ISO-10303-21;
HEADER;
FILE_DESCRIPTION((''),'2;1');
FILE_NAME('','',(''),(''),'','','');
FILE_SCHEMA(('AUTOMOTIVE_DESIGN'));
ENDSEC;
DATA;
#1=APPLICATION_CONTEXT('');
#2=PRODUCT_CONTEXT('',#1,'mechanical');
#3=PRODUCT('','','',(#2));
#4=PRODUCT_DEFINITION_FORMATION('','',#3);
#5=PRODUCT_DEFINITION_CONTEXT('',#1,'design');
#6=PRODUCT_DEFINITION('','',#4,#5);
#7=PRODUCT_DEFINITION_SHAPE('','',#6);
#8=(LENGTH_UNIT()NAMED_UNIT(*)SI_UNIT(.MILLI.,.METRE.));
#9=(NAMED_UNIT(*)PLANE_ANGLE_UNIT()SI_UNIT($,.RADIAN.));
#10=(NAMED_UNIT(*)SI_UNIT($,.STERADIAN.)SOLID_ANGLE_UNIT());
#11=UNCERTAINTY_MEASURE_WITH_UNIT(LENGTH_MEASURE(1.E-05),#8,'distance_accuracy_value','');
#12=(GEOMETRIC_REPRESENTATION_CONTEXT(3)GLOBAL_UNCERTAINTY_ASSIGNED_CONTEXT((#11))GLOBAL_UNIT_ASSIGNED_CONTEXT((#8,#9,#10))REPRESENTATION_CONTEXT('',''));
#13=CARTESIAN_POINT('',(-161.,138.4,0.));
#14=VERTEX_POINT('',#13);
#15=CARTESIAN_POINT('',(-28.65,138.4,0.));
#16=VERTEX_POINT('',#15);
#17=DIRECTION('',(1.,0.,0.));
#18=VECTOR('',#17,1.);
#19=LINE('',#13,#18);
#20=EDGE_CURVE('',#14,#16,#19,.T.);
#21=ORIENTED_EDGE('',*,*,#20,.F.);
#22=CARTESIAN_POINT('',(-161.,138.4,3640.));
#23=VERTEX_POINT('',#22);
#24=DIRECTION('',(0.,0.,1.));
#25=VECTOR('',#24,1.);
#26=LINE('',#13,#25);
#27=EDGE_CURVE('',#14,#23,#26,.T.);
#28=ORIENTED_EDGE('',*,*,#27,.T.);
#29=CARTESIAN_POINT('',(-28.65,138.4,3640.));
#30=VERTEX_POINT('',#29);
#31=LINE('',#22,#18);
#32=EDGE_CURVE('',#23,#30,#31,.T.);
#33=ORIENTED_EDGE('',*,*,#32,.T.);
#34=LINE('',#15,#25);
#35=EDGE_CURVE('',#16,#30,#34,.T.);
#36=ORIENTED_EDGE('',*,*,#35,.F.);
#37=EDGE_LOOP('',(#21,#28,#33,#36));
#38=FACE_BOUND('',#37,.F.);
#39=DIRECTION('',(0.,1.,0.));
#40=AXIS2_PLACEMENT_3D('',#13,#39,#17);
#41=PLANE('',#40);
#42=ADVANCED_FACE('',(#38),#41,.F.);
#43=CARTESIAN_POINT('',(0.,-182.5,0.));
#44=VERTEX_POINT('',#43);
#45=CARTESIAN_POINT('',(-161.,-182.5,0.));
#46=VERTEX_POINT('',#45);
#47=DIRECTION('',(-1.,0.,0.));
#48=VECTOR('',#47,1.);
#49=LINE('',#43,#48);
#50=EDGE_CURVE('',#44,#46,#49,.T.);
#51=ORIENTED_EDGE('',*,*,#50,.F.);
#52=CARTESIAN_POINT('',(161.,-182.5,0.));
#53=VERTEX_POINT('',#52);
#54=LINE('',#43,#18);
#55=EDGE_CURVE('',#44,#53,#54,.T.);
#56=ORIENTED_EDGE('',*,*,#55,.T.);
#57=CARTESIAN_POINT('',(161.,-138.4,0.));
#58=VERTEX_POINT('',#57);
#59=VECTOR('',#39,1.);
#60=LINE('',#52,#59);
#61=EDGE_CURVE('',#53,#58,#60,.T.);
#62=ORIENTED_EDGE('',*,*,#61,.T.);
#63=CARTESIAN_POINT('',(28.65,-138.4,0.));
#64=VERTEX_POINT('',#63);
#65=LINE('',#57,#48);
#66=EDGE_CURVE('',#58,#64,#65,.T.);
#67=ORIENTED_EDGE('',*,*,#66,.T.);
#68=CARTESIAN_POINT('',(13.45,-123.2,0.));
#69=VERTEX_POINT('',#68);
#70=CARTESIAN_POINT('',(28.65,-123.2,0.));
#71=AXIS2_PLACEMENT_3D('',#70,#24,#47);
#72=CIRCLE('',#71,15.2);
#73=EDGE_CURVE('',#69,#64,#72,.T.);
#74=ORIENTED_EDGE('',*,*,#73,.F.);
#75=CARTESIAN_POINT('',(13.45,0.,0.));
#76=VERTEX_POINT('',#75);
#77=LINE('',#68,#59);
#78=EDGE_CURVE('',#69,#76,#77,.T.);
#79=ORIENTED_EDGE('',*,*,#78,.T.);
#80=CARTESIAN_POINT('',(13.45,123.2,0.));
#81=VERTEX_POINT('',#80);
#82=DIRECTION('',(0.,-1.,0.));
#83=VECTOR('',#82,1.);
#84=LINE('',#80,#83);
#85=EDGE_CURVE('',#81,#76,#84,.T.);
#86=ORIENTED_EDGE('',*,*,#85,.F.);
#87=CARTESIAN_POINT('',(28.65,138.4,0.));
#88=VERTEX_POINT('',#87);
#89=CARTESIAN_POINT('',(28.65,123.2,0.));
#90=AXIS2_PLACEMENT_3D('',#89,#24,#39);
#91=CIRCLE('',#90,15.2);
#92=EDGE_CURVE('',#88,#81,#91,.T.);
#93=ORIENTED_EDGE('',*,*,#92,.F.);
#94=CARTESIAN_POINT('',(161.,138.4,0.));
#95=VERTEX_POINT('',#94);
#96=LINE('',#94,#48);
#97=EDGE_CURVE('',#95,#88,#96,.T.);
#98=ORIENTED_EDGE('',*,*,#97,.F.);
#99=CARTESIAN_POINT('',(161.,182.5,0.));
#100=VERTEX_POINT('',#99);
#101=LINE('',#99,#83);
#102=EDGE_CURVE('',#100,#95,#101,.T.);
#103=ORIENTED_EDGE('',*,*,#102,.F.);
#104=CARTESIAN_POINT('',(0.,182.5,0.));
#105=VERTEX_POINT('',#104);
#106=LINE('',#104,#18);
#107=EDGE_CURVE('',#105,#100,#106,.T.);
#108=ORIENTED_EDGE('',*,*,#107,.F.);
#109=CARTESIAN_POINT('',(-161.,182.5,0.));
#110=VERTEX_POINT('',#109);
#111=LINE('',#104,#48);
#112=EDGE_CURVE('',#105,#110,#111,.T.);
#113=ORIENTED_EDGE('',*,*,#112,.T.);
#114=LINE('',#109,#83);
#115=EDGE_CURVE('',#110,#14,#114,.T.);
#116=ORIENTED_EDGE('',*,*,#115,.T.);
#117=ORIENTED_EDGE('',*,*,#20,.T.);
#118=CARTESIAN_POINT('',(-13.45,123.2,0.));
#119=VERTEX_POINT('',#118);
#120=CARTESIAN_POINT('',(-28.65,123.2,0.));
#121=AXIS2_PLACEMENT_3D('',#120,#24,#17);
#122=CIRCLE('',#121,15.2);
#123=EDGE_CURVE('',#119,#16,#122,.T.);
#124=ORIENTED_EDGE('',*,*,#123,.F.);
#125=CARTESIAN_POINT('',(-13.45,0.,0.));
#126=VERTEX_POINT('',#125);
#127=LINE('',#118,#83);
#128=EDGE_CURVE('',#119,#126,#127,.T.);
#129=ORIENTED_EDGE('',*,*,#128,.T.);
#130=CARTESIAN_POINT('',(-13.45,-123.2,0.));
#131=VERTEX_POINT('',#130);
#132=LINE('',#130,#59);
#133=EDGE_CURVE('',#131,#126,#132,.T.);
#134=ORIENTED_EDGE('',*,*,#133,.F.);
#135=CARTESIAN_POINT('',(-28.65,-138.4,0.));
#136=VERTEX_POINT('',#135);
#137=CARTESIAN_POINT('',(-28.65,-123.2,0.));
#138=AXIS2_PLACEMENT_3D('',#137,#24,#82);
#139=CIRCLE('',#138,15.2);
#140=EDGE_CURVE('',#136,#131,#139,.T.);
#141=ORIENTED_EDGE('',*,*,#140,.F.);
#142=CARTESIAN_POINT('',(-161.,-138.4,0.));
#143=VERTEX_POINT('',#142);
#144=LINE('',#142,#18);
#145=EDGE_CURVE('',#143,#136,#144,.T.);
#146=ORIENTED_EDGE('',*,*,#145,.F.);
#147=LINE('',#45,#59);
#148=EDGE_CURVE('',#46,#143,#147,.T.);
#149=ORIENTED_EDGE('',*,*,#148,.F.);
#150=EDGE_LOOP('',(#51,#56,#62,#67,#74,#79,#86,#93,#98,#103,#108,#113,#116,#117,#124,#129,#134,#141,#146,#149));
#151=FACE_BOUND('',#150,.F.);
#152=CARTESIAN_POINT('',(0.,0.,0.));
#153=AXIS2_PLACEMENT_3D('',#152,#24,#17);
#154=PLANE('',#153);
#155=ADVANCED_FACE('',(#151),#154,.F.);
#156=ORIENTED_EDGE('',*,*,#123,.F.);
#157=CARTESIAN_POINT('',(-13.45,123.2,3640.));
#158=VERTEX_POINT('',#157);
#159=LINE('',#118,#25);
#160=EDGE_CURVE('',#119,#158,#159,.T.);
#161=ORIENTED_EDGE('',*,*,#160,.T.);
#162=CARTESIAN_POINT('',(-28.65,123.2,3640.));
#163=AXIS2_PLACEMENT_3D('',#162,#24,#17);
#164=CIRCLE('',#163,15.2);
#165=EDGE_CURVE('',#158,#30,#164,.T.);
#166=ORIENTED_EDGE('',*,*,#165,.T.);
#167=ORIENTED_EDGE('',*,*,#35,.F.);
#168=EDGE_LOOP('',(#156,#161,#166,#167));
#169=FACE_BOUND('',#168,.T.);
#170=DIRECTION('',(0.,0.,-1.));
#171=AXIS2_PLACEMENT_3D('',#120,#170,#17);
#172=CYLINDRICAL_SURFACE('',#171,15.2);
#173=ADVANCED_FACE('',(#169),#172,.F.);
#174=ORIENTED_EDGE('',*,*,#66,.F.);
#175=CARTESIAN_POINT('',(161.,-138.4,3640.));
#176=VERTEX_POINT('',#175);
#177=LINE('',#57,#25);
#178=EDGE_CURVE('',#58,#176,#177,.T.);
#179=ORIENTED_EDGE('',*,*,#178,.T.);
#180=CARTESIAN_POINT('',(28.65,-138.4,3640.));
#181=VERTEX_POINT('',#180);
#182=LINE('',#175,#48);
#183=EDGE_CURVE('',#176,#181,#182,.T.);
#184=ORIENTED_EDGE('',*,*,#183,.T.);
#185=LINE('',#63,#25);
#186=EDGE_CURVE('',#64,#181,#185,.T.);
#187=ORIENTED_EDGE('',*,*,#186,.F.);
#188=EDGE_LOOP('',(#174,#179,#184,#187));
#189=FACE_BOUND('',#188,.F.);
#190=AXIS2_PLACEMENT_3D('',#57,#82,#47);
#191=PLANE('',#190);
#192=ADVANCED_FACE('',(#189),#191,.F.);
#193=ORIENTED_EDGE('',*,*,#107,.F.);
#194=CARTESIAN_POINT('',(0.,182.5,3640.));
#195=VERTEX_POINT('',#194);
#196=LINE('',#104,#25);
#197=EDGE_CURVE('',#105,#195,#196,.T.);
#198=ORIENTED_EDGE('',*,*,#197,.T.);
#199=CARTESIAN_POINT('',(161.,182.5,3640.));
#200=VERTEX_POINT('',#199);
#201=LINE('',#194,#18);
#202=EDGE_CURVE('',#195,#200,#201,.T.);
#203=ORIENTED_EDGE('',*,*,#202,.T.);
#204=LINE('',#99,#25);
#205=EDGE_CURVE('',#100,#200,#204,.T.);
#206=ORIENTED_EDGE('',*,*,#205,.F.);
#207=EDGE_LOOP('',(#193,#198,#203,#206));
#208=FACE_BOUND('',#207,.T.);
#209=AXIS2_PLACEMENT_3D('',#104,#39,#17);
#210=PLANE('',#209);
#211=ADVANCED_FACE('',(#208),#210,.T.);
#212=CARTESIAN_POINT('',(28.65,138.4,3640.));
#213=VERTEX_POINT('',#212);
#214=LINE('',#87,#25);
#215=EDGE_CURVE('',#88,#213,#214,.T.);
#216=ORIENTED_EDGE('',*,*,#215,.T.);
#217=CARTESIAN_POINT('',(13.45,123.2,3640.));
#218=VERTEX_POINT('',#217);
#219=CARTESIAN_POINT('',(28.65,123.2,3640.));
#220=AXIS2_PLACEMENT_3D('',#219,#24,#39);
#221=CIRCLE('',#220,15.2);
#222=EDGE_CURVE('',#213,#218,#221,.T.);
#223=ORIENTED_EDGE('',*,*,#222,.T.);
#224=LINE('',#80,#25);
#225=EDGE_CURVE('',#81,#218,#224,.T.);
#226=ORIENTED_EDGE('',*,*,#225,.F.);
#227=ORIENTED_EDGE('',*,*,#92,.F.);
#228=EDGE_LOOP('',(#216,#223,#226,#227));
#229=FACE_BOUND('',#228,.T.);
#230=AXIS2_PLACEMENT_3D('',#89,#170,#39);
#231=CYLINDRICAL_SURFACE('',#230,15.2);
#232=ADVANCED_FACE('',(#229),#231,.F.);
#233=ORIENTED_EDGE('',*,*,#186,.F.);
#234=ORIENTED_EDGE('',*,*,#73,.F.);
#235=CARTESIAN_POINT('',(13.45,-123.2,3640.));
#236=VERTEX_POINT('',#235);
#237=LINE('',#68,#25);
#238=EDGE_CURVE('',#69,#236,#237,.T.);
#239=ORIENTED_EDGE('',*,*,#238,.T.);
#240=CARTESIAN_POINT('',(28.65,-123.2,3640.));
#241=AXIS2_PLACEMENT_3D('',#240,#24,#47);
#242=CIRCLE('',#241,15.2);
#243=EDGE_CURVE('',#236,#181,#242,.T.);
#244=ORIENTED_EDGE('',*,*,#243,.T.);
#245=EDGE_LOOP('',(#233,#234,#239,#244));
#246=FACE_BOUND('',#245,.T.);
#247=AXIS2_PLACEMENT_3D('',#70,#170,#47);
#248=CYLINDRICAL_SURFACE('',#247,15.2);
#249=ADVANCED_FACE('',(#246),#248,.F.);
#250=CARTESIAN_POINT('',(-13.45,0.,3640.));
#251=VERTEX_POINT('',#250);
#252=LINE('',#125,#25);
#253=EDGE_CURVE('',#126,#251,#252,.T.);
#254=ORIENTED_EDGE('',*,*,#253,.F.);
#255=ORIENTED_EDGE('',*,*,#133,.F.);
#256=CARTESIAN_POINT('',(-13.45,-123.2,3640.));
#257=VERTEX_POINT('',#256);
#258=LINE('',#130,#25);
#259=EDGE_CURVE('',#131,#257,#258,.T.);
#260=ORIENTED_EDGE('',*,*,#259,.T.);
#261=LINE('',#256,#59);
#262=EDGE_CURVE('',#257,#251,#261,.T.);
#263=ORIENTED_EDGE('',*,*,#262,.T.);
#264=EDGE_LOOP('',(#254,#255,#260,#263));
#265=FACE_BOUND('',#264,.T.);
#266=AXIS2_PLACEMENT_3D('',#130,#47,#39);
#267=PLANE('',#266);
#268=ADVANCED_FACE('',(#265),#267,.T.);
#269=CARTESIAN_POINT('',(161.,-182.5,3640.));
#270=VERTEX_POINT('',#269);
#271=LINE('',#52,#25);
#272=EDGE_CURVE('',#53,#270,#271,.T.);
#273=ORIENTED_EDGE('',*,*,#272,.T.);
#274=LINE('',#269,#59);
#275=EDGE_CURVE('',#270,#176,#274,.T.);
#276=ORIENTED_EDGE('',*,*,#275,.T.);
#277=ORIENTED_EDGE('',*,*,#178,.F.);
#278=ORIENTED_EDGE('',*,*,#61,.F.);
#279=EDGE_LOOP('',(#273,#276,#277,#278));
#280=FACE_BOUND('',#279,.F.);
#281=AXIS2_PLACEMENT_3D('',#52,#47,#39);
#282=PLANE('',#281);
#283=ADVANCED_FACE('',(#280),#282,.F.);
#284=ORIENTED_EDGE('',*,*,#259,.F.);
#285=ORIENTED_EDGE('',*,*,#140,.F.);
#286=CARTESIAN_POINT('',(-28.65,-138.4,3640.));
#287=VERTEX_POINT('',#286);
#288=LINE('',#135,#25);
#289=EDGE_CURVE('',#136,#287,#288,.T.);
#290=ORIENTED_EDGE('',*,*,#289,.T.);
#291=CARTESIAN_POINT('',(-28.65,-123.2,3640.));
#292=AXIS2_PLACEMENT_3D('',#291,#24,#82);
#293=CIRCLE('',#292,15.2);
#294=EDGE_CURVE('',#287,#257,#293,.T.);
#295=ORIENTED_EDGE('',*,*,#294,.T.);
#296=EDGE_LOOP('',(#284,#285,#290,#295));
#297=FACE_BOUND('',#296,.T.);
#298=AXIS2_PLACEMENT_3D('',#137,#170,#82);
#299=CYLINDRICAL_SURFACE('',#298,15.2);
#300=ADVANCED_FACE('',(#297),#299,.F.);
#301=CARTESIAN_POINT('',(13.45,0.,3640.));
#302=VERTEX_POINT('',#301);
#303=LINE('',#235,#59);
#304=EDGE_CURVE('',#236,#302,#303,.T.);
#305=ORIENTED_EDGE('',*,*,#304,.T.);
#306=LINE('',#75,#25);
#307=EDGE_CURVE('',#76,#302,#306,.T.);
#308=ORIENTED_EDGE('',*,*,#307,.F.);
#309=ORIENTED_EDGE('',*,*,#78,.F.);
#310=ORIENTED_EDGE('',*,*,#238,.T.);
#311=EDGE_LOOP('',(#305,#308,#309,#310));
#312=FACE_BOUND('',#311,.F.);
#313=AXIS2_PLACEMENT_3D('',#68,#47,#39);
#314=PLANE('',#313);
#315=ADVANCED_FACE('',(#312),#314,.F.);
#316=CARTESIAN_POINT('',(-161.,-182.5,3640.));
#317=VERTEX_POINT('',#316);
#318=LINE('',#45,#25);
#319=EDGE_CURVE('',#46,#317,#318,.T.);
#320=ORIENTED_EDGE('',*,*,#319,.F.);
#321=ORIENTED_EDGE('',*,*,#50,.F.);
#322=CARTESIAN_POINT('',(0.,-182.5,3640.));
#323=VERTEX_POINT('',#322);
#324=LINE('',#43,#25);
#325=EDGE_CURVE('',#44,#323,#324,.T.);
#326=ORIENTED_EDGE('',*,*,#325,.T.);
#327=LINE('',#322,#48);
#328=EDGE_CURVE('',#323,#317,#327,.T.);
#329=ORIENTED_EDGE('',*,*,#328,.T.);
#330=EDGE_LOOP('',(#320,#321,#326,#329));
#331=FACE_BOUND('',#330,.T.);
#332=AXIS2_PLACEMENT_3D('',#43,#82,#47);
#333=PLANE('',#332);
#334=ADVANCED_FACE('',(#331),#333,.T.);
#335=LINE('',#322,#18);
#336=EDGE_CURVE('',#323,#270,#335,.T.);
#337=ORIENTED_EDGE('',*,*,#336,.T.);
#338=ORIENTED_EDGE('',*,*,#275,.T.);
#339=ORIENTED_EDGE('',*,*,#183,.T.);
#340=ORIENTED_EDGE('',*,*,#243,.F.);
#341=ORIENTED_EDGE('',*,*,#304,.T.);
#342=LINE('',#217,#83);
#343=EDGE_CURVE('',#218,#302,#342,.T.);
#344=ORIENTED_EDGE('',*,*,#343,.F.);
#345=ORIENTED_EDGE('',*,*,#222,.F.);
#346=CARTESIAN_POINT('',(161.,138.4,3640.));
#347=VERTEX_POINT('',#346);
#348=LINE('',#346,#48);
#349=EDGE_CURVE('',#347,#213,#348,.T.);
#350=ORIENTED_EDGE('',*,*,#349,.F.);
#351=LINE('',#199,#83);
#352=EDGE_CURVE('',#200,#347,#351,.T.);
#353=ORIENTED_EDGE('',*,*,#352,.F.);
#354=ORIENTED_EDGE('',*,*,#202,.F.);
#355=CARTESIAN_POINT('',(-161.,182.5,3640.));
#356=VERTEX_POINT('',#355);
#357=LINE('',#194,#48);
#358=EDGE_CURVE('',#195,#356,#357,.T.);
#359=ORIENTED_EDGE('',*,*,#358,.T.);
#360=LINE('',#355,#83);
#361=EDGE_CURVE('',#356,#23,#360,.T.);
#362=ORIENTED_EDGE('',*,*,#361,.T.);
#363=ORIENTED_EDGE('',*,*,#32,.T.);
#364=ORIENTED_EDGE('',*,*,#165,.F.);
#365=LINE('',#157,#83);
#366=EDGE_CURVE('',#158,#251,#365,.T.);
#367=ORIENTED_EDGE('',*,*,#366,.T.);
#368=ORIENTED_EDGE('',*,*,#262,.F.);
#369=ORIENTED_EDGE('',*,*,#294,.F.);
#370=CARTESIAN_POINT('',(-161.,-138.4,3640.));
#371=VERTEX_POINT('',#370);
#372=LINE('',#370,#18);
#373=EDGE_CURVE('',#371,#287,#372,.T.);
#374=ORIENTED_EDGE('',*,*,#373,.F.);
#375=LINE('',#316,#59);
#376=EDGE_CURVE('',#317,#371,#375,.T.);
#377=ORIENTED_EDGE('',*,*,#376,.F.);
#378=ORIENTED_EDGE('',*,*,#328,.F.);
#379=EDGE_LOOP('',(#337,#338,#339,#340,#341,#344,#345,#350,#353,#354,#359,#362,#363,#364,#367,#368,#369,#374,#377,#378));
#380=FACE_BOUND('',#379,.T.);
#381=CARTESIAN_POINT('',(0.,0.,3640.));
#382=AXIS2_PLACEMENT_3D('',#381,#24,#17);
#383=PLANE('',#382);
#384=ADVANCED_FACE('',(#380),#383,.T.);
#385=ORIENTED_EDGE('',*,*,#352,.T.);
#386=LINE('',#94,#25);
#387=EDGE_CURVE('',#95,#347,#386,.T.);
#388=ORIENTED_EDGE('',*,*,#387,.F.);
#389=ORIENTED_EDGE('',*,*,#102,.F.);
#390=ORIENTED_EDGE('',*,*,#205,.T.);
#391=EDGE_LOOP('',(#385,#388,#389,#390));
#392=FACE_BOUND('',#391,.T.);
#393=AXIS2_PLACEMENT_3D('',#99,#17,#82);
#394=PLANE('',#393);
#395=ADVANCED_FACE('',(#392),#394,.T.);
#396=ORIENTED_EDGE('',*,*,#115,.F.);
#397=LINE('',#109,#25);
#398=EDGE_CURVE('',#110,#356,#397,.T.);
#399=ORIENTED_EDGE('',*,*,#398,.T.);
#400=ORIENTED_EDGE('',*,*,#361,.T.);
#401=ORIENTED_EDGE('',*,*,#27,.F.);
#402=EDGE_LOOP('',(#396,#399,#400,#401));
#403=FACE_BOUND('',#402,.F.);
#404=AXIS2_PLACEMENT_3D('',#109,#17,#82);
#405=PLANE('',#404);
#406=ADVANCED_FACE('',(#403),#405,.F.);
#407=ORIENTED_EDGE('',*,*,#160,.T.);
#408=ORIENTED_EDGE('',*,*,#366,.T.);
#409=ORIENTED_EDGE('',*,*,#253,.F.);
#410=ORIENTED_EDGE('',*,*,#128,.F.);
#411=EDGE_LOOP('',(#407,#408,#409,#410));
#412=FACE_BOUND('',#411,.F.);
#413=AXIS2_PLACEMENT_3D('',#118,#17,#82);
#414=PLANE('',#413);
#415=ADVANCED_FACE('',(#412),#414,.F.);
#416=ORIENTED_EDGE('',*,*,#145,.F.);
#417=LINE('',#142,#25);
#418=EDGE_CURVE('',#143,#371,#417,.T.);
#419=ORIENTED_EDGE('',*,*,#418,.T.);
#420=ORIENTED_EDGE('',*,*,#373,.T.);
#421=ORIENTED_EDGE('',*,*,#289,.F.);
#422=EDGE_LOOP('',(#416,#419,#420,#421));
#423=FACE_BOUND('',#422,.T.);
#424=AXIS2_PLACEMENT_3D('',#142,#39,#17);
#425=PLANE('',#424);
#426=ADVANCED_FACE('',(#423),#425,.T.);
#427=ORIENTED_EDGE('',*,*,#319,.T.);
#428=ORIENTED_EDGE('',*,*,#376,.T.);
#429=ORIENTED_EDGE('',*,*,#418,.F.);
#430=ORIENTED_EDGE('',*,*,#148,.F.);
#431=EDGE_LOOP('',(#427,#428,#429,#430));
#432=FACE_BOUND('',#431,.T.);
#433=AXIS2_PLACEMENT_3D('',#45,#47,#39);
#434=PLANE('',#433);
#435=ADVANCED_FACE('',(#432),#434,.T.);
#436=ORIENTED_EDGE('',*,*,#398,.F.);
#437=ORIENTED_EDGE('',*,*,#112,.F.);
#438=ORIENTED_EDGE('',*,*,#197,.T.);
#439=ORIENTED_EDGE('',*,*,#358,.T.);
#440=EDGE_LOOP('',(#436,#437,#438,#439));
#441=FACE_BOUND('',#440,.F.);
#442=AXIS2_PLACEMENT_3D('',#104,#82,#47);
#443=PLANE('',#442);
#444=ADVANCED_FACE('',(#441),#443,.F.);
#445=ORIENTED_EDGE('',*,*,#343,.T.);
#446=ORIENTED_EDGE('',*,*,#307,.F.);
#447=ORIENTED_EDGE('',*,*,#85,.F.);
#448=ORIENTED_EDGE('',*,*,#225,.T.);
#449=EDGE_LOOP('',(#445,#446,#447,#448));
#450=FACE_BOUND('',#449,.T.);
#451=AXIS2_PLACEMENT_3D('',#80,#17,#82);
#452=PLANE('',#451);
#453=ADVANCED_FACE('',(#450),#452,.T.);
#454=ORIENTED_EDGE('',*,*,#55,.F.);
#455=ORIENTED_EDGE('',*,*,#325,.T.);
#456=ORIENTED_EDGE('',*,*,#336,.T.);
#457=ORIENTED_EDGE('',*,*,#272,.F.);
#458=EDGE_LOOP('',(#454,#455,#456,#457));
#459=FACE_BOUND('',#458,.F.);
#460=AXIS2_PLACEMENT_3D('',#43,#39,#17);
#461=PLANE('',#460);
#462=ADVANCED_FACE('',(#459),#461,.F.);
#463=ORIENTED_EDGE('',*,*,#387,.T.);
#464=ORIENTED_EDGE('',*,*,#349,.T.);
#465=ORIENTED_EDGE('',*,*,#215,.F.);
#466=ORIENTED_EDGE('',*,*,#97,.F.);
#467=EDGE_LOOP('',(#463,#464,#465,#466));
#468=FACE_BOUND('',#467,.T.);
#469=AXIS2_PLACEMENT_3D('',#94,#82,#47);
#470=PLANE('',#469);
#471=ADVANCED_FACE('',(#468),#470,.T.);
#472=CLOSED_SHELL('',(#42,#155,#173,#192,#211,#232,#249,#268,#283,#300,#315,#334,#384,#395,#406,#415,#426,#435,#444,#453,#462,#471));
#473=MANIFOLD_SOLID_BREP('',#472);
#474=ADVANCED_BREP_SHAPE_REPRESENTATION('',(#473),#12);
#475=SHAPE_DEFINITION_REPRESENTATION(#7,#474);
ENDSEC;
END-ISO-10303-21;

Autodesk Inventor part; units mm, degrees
ref_plane "YZ Plane" through (0, 0, 0) normal (1, 0, 0) x (0, 1, 0)
ref_plane "Start plane" through (0, 0, 0) normal (0, 0, 1) x (1, 0, 0)
ref_plane "End plane" through (0, 0, 3640) normal (0, 0, 1) x (1, 0, 0)
sketch "Sketch" plane through (0, 0, 0) normal (0, 0, 1) x (1, 0, 0)
  line L0 (-161, -182.5) -> (-161, -138.4)
  line L1 (-161, -138.4) -> (-28.65, -138.4)
  line L2 (-13.45, -123.2) -> (-13.45, 0)
  line L3 (-13.45, 0) -> (0, 0) construction
  line L4 (0, 0) -> (0, -182.5) construction
  line L5 (0, -182.5) -> (-161, -182.5)
  line L6 (-60, 0) -> (80, 0) construction
  line L7 (0, -60) -> (0, 80) construction
  line L8 (161, -182.5) -> (161, -138.4)
  line L9 (161, -138.4) -> (28.65, -138.4)
  line L10 (13.45, -123.2) -> (13.45, 0)
  line L11 (13.45, 0) -> (0, 0) construction
  line L12 (0, -182.5) -> (161, -182.5)
  line L13 (-161, 182.5) -> (-161, 138.4)
  line L14 (-161, 138.4) -> (-28.65, 138.4)
  line L15 (-13.45, 123.2) -> (-13.45, 0)
  line L16 (0, 182.5) -> (-161, 182.5)
  line L17 (161, 182.5) -> (161, 138.4)
  line L18 (161, 138.4) -> (28.65, 138.4)
  line L19 (0, 182.5) -> (161, 182.5)
  line L20 (13.45, 123.2) -> (13.45, 0)
  arc A0 (-13.45, 123.2) -> (-28.65, 138.4) centre (-28.65, 123.2) ccw
  arc A1 (28.65, 138.4) -> (13.45, 123.2) centre (28.65, 123.2) ccw
  arc A2 (13.45, -123.2) -> (28.65, -138.4) centre (28.65, -123.2) ccw
  arc A3 (-28.65, -138.4) -> (-13.45, -123.2) centre (-28.65, -123.2) ccw
  line L21 (0, 108) -> (0, -88) construction
  line L22 (-88, 0) -> (108, 0) construction
  point P0 (-13.45, -138.4)
  point P1 (13.45, -138.4)
  point P2 (-13.45, 138.4)
  point P3 (13.45, 138.4)
  dimension "d1" = 182.5
  dimension "d2" = 44.1
  dimension "d3" = 161
  dimension "d4" = 13.45
  dimension "d10" = 15.2
extrude "Body" add sketch "Sketch" along normal up to surface (3640 mm away) from surface at 0
sketch "Sketch4" plane through (0, 0, 0) normal (0, 0, 1) x (1, 0, 0)
  line L0 (0, 0) -> (10, 0)
ref_plane "Work Plane3" through (0, 0, 0) normal (0, -1, 0) x (1, 0, 0)
sketch "Sketch5" plane through (0, 0, 0) normal (0, -1, 0) x (1, 0, 0)
  line L0 (-2, 0) -> (12, 0) projected
  line L1 (-2, 3640) -> (12, 3640) projected
  dimension "d14" = 3640
equation "\"d1\" = 0.5 * G_H"
equation "\"d2\" = G_T1"
equation "\"d3\" = 0.5 * G_W"
equation "\"d4\" = 0.5 * G_T"
equation "\"d10\" = G_IR"
equation "\"d5\" = G_L"
equation "\"G_W\" = 322"
equation "\"G_H\" = 365"
equation "\"G_T\" = 26.9"
equation "\"G_T1\" = 44.1"
equation "\"G_IR\" = 15.2"
equation "\"G_L\" = d14"
equation "\"G_OFFSET_START\" = 0"
equation "\"G_OFFSET_END\" = 0"
properties part number "AS 3679 - 310 UC - 283 - 3640" material "Steel, Mild"
